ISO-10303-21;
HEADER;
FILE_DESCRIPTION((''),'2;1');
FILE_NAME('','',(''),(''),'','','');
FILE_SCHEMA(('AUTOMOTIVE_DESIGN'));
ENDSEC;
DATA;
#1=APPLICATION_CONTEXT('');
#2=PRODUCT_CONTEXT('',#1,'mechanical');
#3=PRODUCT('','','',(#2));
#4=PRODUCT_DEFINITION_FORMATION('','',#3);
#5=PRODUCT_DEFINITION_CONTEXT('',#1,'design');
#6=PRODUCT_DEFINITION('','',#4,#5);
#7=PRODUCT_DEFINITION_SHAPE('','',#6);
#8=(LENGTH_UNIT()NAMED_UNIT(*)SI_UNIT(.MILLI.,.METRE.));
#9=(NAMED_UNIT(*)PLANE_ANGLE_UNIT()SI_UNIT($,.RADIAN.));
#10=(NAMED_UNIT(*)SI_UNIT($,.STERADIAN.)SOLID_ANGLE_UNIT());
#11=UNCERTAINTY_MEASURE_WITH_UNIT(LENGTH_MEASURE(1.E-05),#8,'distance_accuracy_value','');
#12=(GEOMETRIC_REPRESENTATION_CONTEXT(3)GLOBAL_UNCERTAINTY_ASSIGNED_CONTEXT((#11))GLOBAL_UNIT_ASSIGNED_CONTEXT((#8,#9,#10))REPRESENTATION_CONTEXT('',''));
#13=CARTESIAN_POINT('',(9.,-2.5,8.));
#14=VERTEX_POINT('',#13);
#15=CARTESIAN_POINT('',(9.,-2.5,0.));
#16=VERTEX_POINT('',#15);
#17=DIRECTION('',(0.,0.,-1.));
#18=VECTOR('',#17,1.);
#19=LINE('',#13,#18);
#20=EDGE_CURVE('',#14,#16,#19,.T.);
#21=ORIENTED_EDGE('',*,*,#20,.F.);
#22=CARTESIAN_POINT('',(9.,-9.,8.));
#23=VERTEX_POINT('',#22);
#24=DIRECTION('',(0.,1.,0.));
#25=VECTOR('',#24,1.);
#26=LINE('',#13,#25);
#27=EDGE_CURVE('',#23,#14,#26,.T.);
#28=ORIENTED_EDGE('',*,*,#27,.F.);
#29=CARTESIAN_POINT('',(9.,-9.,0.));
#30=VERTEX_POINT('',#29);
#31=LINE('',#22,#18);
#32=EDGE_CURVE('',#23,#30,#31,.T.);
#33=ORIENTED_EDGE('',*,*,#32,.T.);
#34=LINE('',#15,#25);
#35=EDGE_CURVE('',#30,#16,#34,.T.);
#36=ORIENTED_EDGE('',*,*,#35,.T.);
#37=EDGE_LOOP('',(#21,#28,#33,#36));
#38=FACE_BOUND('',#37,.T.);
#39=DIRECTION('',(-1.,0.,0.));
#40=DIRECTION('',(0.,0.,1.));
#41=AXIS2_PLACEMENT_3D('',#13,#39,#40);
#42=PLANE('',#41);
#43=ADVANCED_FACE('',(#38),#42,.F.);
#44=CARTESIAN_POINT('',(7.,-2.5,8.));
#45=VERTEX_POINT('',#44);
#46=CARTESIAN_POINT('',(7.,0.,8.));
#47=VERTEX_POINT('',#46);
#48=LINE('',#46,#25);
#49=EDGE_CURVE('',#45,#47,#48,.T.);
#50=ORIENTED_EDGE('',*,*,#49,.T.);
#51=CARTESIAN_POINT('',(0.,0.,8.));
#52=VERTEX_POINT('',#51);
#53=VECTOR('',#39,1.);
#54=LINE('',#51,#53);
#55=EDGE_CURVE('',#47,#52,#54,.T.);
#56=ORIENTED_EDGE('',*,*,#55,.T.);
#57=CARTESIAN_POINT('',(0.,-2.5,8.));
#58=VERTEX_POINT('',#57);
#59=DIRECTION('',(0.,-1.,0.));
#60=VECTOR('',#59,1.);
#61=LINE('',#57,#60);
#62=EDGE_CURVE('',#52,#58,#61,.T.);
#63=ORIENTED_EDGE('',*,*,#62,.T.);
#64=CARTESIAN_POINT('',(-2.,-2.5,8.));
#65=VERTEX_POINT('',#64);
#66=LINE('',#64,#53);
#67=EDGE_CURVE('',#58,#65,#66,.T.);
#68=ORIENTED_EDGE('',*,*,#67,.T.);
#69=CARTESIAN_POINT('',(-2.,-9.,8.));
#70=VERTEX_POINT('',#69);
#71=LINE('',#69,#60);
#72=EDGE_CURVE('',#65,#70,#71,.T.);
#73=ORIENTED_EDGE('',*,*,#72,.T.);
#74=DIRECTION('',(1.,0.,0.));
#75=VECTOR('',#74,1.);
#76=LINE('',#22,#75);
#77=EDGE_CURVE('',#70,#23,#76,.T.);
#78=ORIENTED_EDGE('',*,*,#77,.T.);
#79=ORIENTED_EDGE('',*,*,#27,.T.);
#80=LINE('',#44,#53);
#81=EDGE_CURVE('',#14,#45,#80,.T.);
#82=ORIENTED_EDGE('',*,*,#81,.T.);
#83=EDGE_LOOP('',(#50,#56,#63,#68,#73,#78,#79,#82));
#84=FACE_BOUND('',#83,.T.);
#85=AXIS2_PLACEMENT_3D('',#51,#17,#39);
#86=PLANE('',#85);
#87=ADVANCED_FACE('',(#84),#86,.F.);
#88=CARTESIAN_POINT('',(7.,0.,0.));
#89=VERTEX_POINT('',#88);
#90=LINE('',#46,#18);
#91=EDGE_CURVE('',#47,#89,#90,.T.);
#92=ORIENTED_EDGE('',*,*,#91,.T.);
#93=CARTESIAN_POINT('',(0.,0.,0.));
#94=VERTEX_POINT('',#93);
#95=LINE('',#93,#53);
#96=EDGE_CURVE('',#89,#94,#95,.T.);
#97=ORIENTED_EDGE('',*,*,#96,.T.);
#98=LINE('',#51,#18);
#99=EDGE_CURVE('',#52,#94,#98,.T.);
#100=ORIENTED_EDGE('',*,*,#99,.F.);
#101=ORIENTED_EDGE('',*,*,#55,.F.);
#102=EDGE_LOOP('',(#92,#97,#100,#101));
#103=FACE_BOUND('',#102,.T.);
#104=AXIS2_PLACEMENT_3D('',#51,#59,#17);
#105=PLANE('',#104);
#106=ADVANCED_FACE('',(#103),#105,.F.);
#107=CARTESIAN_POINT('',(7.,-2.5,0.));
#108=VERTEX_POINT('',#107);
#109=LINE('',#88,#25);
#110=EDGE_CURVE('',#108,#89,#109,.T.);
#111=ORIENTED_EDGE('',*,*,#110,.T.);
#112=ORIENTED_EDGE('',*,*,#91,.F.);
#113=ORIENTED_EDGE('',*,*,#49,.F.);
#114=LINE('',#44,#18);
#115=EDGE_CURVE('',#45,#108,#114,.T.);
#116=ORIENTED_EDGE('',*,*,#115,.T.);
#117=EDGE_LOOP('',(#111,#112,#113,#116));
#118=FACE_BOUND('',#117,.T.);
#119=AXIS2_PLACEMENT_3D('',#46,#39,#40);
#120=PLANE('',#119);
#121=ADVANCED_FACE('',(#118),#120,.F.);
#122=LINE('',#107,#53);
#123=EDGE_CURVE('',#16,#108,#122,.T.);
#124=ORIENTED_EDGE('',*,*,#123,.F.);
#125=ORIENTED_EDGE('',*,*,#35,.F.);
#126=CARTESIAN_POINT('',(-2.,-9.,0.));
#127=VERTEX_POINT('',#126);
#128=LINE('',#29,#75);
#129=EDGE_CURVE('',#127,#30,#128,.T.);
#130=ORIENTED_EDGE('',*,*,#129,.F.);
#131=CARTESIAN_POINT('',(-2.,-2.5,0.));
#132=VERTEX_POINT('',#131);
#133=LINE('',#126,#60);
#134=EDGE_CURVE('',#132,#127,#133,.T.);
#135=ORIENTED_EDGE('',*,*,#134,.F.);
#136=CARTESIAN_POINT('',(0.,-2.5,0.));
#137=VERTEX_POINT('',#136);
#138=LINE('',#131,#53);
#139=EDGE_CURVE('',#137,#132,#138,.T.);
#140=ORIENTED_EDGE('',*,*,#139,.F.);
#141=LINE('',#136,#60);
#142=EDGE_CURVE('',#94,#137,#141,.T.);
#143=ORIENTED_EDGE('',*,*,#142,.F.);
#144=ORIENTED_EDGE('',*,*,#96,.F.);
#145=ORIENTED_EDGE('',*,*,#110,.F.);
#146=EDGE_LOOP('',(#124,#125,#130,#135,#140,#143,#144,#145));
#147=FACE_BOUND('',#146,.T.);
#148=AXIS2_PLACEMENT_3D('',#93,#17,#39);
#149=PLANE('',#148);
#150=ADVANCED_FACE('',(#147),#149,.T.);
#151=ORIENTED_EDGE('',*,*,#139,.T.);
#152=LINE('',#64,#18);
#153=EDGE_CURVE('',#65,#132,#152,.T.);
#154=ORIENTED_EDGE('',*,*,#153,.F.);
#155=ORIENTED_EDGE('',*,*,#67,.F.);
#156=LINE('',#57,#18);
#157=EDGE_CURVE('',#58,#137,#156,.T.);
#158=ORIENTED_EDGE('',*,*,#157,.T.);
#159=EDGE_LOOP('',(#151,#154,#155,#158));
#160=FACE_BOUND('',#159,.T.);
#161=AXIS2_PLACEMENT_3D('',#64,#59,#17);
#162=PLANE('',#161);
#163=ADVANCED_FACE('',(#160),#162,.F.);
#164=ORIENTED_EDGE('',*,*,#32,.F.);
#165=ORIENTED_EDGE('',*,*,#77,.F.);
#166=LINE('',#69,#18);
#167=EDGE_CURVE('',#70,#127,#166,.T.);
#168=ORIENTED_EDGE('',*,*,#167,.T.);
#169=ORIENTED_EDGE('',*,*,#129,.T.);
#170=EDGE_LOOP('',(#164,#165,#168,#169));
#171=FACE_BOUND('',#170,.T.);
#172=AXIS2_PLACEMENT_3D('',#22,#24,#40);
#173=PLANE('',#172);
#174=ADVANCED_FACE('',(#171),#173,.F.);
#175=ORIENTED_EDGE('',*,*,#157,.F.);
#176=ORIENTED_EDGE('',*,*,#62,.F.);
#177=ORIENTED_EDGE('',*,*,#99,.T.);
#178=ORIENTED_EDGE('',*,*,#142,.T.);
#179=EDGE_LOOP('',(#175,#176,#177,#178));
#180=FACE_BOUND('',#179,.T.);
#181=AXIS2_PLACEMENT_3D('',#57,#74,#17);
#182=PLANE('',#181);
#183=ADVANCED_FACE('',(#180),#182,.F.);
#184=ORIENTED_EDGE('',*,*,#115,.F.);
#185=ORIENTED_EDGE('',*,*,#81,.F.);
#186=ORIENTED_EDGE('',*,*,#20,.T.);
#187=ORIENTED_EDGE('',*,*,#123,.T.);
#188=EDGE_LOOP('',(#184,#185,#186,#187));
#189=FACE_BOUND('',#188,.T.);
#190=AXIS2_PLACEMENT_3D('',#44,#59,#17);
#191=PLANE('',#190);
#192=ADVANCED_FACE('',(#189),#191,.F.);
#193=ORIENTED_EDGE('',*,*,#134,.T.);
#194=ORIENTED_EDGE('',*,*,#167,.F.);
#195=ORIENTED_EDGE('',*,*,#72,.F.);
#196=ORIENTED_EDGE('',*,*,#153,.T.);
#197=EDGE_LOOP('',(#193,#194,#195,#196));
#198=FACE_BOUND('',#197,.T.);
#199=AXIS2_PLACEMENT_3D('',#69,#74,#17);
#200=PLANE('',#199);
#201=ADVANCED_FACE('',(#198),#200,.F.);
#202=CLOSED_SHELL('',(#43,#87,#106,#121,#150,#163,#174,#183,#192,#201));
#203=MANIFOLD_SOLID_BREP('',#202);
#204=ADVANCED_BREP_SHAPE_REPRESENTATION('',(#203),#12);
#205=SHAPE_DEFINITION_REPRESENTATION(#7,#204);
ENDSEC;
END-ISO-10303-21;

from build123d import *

# Parameters (mm, degrees)
BOSS_EXTRUDE1_DEPTH = 8


with BuildPart() as part:
    # Sketch1 → Boss-Extrude1 (new body)
    with BuildSketch(Plane.XY):
        Polygon((0, 0), (7, 0), (7, -2.5), (9, -2.5), (9, -9), (-2, -9), (-2, -2.5), (0, -2.5), align=None)
    extrude(amount=BOSS_EXTRUDE1_DEPTH)


solid = part.part
